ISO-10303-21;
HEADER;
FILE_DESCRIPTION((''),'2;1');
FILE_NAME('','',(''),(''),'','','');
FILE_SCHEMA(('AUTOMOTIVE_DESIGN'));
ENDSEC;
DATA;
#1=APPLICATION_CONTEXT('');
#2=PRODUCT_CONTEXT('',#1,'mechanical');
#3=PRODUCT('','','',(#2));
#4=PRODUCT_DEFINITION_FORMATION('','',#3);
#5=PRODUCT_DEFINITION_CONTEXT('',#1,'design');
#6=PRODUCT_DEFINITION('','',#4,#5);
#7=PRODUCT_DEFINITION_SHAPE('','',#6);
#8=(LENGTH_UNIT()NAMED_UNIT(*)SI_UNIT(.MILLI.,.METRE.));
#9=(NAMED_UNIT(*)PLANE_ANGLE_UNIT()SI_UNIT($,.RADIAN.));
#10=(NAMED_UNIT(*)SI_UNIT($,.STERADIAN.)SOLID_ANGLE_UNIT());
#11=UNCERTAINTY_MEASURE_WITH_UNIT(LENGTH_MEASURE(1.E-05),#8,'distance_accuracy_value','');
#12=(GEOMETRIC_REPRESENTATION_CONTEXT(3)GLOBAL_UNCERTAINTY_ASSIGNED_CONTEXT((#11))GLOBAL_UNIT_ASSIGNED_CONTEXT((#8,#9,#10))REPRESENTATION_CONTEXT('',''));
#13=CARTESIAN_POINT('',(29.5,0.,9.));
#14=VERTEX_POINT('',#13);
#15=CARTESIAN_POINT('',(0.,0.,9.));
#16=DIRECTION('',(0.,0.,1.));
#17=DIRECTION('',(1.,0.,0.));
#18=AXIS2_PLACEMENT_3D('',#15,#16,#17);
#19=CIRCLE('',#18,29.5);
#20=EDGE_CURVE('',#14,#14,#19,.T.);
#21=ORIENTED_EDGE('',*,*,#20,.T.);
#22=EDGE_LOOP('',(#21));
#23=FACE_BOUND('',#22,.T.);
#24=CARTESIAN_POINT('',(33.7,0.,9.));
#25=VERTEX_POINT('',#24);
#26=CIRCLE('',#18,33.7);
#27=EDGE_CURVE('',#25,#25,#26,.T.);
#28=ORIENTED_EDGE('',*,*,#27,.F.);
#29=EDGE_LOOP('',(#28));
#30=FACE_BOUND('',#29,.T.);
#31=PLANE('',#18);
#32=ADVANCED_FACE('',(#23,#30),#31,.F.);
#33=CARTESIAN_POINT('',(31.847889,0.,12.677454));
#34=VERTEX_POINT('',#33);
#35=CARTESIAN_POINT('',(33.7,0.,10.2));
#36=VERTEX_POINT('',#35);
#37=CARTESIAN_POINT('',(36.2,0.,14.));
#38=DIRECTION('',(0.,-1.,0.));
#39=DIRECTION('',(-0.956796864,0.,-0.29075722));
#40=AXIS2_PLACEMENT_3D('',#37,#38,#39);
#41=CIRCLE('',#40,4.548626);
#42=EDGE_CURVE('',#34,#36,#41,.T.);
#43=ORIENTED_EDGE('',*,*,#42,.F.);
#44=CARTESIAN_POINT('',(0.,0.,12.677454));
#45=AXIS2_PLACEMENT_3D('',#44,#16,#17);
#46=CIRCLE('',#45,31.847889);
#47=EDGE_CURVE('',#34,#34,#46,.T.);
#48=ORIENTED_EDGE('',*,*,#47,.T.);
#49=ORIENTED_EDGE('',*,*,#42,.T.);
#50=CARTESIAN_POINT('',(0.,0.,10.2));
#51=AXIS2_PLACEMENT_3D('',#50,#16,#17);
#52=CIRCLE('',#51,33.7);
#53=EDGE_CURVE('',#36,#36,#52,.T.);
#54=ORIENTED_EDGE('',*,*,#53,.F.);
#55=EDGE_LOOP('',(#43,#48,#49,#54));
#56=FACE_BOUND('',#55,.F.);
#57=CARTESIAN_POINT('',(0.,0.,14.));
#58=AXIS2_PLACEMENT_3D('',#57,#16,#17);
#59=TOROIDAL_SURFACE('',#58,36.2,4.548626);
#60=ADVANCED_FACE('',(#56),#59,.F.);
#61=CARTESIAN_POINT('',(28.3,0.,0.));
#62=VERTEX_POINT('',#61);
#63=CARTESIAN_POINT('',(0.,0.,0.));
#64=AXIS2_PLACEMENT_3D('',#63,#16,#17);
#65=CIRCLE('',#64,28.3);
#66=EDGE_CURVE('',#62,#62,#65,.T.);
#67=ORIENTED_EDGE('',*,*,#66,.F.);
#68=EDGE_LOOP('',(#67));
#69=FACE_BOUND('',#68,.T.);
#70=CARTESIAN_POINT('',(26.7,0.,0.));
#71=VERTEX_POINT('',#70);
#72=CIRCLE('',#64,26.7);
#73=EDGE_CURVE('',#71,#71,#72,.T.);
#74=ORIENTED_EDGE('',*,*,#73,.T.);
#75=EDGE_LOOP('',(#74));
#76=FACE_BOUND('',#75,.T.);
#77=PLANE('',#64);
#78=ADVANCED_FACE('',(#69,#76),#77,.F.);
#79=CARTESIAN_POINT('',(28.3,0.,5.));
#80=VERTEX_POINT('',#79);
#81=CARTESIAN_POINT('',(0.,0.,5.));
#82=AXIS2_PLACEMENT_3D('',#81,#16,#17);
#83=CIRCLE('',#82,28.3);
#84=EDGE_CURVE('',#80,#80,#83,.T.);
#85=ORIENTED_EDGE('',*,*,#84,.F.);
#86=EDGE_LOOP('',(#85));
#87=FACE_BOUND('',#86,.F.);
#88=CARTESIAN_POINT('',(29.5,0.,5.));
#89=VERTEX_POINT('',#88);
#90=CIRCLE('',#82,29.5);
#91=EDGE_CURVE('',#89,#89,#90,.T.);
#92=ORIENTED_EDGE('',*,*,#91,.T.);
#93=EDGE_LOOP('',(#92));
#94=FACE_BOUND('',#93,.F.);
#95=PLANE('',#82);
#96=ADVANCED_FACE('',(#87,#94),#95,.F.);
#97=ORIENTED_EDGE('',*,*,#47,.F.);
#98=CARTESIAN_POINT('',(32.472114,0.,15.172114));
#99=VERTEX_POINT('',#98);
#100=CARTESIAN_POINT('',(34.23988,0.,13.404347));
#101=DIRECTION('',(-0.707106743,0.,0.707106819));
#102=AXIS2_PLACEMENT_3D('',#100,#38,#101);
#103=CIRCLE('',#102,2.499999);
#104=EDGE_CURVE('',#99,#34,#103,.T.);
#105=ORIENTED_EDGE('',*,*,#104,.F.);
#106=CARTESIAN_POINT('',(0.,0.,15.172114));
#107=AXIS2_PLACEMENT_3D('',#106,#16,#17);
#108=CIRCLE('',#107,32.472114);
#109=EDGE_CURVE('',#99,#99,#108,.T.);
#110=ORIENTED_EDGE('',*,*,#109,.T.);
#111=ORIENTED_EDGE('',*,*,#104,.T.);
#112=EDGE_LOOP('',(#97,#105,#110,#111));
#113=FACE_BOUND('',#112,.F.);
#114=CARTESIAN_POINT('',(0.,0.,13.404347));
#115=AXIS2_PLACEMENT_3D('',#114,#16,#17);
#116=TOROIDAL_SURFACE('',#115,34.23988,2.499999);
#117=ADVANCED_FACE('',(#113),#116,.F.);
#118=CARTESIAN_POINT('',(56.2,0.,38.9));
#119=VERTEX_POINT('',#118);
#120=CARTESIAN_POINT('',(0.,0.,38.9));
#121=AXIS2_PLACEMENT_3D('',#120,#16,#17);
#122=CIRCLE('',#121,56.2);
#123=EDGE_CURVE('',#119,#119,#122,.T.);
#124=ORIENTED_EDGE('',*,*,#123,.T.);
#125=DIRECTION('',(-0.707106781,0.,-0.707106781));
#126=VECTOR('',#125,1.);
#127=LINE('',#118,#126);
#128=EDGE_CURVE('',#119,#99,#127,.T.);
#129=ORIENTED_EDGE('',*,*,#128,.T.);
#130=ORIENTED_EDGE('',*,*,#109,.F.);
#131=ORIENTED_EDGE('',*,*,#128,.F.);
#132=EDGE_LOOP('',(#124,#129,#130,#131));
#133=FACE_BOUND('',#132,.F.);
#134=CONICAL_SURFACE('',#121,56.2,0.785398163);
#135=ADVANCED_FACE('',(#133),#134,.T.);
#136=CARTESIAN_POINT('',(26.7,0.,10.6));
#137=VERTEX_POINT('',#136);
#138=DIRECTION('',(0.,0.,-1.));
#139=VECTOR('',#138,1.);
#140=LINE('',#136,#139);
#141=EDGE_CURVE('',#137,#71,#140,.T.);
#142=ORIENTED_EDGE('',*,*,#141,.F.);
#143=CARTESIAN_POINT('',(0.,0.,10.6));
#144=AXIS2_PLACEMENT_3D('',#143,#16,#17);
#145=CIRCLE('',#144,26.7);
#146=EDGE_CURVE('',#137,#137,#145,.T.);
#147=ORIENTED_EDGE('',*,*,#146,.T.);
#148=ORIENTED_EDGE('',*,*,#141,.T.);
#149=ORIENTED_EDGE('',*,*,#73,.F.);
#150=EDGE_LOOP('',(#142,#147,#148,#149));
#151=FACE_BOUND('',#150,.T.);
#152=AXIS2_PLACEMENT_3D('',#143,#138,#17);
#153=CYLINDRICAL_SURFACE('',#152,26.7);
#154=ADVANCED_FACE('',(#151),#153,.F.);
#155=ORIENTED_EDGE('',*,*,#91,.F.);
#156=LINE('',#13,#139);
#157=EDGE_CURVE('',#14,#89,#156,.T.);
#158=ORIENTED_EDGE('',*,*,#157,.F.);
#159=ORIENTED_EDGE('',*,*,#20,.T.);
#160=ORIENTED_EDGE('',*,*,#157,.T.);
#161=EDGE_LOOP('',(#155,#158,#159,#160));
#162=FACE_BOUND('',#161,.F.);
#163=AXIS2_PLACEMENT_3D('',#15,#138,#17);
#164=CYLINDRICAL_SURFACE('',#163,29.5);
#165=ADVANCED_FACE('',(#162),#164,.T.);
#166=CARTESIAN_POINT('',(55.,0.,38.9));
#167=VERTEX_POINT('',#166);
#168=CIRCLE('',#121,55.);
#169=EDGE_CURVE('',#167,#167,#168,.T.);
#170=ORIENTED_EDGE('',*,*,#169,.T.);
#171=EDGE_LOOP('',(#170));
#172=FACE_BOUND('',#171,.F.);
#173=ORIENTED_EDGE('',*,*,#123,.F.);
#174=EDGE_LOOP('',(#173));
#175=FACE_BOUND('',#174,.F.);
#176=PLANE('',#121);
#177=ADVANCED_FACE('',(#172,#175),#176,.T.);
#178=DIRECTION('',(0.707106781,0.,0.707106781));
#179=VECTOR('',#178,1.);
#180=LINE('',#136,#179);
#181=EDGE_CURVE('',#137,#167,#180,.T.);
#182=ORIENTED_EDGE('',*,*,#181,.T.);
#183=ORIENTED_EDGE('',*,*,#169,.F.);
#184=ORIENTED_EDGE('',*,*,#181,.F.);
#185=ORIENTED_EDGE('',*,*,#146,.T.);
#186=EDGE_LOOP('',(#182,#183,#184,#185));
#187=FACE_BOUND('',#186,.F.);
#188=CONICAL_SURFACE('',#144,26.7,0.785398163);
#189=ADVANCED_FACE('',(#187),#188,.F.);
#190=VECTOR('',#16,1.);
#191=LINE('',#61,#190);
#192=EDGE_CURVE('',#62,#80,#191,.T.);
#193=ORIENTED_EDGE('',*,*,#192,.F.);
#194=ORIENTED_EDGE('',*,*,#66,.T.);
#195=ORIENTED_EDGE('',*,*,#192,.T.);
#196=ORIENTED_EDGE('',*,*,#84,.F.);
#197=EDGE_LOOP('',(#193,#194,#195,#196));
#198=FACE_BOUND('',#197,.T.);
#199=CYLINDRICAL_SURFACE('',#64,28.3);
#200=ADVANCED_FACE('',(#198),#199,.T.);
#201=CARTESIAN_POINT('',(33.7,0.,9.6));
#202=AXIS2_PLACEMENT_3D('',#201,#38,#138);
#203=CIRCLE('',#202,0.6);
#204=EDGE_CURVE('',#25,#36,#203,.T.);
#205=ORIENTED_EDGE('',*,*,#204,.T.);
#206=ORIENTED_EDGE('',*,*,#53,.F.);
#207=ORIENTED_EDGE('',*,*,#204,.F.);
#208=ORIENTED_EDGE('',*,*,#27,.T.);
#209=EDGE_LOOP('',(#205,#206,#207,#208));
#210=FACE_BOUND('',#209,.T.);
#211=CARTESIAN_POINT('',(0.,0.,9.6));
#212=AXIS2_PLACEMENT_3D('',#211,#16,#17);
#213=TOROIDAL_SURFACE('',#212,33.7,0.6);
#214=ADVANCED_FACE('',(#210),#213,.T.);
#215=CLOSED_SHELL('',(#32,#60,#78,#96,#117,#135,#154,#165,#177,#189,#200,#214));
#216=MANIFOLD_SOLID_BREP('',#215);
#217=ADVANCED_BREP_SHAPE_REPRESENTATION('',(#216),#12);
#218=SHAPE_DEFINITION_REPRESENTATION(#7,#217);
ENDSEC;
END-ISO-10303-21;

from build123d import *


with BuildPart() as part:
    # Sketch → Revolution (revolve)
    with BuildSketch(Plane.XZ):
        with BuildLine():
            Line((28.3, 0), (28.3, 5))
            Line((29.5, 5), (28.3, 5))
            Line((29.5, 9), (29.5, 5))
            Line((29.5, 9), (33.7, 9))
            ThreePointArc((33.7, 9), (34.3, 9.6), (33.7, 10.2))
            ThreePointArc((31.847889, 12.677454), (32.556883, 11.276455), (33.7, 10.2))
            ThreePointArc((32.472114, 15.172114), (31.814653, 14.011199), (31.847889, 12.677454))
            Line((56.2, 38.9), (32.472114, 15.172114))
            Line((55, 38.9), (56.2, 38.9))
            Line((26.7, 10.6), (55, 38.9))
            Line((26.7, 10.6), (26.7, 0))
            Line((26.7, 0), (28.3, 0))
        make_face()
    revolve(axis=Axis((0, 0, 0), (0, 0, 1)))


solid = part.part
